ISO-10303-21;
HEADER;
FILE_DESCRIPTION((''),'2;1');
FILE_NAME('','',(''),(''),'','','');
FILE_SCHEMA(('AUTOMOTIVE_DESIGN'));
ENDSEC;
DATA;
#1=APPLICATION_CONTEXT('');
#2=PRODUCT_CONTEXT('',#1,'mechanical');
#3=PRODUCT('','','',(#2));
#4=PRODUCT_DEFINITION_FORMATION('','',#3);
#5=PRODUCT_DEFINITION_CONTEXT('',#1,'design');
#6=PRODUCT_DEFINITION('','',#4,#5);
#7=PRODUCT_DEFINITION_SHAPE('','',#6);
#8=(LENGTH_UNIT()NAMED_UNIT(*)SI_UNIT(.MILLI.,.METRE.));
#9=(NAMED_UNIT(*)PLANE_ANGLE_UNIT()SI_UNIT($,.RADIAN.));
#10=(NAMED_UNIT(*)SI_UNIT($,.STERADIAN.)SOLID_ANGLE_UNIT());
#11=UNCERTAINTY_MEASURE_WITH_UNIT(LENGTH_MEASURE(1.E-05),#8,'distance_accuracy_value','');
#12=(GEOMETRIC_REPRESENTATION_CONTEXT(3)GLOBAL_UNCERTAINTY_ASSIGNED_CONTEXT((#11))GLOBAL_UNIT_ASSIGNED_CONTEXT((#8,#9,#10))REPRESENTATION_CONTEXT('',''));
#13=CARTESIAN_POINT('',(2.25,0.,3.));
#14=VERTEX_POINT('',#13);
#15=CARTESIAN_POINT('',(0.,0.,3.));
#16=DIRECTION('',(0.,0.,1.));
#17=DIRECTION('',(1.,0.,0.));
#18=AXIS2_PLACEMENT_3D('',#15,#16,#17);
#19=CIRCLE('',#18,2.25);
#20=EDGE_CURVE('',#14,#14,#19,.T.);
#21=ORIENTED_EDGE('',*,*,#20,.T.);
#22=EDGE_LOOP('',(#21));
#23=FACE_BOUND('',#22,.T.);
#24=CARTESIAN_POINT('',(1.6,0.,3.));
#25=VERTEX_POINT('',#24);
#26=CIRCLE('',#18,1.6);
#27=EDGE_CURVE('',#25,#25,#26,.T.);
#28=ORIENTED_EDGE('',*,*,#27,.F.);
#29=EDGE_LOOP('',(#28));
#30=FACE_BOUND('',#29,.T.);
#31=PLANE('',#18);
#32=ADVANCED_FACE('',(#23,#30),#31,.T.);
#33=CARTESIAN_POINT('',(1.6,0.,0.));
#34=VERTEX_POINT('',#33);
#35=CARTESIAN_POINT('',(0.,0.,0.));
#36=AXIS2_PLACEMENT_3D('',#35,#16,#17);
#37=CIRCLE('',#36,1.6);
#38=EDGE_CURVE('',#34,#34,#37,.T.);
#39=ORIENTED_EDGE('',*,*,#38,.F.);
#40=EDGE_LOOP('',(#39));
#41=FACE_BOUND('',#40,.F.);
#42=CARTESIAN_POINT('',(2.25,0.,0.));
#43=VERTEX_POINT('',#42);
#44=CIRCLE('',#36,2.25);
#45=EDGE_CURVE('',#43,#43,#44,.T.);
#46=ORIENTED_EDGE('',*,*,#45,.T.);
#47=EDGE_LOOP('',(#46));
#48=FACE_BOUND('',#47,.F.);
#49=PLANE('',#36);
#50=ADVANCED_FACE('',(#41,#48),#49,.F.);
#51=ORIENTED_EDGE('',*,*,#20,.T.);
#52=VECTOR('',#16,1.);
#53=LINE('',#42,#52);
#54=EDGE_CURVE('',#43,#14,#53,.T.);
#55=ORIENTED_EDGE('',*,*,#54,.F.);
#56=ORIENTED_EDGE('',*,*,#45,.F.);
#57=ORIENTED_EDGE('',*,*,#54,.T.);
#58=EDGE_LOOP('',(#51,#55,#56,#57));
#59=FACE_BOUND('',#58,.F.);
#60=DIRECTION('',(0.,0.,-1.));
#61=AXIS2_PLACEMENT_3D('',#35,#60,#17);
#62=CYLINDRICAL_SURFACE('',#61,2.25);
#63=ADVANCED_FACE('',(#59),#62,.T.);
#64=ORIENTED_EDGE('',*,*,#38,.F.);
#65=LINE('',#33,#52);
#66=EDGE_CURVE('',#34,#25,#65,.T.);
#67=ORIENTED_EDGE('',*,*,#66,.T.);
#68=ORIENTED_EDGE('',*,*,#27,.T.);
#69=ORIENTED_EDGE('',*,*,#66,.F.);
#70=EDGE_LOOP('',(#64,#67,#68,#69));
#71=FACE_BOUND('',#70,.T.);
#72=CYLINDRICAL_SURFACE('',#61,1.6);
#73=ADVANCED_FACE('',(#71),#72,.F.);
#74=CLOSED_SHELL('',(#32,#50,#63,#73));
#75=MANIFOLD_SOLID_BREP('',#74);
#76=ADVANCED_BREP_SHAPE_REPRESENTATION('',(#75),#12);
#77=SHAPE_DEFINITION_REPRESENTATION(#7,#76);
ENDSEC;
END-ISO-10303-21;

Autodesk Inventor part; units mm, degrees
ref_plane "YZ Plane" through (0, 0, 0) normal (1, 0, 0) x (0, 1, 0)
ref_plane "XZ Plane" through (0, 0, 0) normal (0, 1, 0) x (-1, 0, 0)
ref_plane "XY Plane" through (0, 0, 0) normal (0, 0, 1) x (1, 0, 0)
sketch "Sketch1" plane through (0, 0, 0) normal (0, 0, 1) x (1, 0, 0)
  circle A0 centre (0, 0) radius 2.25
  circle A1 centre (0, 0) radius 1.6
  dimension "d0" = 4.5
  dimension "d1" = 3.2
extrude "Extrusion1" add sketch "Sketch1" along normal blind 3
properties part number "Shorter_Spacer_V1" material "Nylon 6/6"
